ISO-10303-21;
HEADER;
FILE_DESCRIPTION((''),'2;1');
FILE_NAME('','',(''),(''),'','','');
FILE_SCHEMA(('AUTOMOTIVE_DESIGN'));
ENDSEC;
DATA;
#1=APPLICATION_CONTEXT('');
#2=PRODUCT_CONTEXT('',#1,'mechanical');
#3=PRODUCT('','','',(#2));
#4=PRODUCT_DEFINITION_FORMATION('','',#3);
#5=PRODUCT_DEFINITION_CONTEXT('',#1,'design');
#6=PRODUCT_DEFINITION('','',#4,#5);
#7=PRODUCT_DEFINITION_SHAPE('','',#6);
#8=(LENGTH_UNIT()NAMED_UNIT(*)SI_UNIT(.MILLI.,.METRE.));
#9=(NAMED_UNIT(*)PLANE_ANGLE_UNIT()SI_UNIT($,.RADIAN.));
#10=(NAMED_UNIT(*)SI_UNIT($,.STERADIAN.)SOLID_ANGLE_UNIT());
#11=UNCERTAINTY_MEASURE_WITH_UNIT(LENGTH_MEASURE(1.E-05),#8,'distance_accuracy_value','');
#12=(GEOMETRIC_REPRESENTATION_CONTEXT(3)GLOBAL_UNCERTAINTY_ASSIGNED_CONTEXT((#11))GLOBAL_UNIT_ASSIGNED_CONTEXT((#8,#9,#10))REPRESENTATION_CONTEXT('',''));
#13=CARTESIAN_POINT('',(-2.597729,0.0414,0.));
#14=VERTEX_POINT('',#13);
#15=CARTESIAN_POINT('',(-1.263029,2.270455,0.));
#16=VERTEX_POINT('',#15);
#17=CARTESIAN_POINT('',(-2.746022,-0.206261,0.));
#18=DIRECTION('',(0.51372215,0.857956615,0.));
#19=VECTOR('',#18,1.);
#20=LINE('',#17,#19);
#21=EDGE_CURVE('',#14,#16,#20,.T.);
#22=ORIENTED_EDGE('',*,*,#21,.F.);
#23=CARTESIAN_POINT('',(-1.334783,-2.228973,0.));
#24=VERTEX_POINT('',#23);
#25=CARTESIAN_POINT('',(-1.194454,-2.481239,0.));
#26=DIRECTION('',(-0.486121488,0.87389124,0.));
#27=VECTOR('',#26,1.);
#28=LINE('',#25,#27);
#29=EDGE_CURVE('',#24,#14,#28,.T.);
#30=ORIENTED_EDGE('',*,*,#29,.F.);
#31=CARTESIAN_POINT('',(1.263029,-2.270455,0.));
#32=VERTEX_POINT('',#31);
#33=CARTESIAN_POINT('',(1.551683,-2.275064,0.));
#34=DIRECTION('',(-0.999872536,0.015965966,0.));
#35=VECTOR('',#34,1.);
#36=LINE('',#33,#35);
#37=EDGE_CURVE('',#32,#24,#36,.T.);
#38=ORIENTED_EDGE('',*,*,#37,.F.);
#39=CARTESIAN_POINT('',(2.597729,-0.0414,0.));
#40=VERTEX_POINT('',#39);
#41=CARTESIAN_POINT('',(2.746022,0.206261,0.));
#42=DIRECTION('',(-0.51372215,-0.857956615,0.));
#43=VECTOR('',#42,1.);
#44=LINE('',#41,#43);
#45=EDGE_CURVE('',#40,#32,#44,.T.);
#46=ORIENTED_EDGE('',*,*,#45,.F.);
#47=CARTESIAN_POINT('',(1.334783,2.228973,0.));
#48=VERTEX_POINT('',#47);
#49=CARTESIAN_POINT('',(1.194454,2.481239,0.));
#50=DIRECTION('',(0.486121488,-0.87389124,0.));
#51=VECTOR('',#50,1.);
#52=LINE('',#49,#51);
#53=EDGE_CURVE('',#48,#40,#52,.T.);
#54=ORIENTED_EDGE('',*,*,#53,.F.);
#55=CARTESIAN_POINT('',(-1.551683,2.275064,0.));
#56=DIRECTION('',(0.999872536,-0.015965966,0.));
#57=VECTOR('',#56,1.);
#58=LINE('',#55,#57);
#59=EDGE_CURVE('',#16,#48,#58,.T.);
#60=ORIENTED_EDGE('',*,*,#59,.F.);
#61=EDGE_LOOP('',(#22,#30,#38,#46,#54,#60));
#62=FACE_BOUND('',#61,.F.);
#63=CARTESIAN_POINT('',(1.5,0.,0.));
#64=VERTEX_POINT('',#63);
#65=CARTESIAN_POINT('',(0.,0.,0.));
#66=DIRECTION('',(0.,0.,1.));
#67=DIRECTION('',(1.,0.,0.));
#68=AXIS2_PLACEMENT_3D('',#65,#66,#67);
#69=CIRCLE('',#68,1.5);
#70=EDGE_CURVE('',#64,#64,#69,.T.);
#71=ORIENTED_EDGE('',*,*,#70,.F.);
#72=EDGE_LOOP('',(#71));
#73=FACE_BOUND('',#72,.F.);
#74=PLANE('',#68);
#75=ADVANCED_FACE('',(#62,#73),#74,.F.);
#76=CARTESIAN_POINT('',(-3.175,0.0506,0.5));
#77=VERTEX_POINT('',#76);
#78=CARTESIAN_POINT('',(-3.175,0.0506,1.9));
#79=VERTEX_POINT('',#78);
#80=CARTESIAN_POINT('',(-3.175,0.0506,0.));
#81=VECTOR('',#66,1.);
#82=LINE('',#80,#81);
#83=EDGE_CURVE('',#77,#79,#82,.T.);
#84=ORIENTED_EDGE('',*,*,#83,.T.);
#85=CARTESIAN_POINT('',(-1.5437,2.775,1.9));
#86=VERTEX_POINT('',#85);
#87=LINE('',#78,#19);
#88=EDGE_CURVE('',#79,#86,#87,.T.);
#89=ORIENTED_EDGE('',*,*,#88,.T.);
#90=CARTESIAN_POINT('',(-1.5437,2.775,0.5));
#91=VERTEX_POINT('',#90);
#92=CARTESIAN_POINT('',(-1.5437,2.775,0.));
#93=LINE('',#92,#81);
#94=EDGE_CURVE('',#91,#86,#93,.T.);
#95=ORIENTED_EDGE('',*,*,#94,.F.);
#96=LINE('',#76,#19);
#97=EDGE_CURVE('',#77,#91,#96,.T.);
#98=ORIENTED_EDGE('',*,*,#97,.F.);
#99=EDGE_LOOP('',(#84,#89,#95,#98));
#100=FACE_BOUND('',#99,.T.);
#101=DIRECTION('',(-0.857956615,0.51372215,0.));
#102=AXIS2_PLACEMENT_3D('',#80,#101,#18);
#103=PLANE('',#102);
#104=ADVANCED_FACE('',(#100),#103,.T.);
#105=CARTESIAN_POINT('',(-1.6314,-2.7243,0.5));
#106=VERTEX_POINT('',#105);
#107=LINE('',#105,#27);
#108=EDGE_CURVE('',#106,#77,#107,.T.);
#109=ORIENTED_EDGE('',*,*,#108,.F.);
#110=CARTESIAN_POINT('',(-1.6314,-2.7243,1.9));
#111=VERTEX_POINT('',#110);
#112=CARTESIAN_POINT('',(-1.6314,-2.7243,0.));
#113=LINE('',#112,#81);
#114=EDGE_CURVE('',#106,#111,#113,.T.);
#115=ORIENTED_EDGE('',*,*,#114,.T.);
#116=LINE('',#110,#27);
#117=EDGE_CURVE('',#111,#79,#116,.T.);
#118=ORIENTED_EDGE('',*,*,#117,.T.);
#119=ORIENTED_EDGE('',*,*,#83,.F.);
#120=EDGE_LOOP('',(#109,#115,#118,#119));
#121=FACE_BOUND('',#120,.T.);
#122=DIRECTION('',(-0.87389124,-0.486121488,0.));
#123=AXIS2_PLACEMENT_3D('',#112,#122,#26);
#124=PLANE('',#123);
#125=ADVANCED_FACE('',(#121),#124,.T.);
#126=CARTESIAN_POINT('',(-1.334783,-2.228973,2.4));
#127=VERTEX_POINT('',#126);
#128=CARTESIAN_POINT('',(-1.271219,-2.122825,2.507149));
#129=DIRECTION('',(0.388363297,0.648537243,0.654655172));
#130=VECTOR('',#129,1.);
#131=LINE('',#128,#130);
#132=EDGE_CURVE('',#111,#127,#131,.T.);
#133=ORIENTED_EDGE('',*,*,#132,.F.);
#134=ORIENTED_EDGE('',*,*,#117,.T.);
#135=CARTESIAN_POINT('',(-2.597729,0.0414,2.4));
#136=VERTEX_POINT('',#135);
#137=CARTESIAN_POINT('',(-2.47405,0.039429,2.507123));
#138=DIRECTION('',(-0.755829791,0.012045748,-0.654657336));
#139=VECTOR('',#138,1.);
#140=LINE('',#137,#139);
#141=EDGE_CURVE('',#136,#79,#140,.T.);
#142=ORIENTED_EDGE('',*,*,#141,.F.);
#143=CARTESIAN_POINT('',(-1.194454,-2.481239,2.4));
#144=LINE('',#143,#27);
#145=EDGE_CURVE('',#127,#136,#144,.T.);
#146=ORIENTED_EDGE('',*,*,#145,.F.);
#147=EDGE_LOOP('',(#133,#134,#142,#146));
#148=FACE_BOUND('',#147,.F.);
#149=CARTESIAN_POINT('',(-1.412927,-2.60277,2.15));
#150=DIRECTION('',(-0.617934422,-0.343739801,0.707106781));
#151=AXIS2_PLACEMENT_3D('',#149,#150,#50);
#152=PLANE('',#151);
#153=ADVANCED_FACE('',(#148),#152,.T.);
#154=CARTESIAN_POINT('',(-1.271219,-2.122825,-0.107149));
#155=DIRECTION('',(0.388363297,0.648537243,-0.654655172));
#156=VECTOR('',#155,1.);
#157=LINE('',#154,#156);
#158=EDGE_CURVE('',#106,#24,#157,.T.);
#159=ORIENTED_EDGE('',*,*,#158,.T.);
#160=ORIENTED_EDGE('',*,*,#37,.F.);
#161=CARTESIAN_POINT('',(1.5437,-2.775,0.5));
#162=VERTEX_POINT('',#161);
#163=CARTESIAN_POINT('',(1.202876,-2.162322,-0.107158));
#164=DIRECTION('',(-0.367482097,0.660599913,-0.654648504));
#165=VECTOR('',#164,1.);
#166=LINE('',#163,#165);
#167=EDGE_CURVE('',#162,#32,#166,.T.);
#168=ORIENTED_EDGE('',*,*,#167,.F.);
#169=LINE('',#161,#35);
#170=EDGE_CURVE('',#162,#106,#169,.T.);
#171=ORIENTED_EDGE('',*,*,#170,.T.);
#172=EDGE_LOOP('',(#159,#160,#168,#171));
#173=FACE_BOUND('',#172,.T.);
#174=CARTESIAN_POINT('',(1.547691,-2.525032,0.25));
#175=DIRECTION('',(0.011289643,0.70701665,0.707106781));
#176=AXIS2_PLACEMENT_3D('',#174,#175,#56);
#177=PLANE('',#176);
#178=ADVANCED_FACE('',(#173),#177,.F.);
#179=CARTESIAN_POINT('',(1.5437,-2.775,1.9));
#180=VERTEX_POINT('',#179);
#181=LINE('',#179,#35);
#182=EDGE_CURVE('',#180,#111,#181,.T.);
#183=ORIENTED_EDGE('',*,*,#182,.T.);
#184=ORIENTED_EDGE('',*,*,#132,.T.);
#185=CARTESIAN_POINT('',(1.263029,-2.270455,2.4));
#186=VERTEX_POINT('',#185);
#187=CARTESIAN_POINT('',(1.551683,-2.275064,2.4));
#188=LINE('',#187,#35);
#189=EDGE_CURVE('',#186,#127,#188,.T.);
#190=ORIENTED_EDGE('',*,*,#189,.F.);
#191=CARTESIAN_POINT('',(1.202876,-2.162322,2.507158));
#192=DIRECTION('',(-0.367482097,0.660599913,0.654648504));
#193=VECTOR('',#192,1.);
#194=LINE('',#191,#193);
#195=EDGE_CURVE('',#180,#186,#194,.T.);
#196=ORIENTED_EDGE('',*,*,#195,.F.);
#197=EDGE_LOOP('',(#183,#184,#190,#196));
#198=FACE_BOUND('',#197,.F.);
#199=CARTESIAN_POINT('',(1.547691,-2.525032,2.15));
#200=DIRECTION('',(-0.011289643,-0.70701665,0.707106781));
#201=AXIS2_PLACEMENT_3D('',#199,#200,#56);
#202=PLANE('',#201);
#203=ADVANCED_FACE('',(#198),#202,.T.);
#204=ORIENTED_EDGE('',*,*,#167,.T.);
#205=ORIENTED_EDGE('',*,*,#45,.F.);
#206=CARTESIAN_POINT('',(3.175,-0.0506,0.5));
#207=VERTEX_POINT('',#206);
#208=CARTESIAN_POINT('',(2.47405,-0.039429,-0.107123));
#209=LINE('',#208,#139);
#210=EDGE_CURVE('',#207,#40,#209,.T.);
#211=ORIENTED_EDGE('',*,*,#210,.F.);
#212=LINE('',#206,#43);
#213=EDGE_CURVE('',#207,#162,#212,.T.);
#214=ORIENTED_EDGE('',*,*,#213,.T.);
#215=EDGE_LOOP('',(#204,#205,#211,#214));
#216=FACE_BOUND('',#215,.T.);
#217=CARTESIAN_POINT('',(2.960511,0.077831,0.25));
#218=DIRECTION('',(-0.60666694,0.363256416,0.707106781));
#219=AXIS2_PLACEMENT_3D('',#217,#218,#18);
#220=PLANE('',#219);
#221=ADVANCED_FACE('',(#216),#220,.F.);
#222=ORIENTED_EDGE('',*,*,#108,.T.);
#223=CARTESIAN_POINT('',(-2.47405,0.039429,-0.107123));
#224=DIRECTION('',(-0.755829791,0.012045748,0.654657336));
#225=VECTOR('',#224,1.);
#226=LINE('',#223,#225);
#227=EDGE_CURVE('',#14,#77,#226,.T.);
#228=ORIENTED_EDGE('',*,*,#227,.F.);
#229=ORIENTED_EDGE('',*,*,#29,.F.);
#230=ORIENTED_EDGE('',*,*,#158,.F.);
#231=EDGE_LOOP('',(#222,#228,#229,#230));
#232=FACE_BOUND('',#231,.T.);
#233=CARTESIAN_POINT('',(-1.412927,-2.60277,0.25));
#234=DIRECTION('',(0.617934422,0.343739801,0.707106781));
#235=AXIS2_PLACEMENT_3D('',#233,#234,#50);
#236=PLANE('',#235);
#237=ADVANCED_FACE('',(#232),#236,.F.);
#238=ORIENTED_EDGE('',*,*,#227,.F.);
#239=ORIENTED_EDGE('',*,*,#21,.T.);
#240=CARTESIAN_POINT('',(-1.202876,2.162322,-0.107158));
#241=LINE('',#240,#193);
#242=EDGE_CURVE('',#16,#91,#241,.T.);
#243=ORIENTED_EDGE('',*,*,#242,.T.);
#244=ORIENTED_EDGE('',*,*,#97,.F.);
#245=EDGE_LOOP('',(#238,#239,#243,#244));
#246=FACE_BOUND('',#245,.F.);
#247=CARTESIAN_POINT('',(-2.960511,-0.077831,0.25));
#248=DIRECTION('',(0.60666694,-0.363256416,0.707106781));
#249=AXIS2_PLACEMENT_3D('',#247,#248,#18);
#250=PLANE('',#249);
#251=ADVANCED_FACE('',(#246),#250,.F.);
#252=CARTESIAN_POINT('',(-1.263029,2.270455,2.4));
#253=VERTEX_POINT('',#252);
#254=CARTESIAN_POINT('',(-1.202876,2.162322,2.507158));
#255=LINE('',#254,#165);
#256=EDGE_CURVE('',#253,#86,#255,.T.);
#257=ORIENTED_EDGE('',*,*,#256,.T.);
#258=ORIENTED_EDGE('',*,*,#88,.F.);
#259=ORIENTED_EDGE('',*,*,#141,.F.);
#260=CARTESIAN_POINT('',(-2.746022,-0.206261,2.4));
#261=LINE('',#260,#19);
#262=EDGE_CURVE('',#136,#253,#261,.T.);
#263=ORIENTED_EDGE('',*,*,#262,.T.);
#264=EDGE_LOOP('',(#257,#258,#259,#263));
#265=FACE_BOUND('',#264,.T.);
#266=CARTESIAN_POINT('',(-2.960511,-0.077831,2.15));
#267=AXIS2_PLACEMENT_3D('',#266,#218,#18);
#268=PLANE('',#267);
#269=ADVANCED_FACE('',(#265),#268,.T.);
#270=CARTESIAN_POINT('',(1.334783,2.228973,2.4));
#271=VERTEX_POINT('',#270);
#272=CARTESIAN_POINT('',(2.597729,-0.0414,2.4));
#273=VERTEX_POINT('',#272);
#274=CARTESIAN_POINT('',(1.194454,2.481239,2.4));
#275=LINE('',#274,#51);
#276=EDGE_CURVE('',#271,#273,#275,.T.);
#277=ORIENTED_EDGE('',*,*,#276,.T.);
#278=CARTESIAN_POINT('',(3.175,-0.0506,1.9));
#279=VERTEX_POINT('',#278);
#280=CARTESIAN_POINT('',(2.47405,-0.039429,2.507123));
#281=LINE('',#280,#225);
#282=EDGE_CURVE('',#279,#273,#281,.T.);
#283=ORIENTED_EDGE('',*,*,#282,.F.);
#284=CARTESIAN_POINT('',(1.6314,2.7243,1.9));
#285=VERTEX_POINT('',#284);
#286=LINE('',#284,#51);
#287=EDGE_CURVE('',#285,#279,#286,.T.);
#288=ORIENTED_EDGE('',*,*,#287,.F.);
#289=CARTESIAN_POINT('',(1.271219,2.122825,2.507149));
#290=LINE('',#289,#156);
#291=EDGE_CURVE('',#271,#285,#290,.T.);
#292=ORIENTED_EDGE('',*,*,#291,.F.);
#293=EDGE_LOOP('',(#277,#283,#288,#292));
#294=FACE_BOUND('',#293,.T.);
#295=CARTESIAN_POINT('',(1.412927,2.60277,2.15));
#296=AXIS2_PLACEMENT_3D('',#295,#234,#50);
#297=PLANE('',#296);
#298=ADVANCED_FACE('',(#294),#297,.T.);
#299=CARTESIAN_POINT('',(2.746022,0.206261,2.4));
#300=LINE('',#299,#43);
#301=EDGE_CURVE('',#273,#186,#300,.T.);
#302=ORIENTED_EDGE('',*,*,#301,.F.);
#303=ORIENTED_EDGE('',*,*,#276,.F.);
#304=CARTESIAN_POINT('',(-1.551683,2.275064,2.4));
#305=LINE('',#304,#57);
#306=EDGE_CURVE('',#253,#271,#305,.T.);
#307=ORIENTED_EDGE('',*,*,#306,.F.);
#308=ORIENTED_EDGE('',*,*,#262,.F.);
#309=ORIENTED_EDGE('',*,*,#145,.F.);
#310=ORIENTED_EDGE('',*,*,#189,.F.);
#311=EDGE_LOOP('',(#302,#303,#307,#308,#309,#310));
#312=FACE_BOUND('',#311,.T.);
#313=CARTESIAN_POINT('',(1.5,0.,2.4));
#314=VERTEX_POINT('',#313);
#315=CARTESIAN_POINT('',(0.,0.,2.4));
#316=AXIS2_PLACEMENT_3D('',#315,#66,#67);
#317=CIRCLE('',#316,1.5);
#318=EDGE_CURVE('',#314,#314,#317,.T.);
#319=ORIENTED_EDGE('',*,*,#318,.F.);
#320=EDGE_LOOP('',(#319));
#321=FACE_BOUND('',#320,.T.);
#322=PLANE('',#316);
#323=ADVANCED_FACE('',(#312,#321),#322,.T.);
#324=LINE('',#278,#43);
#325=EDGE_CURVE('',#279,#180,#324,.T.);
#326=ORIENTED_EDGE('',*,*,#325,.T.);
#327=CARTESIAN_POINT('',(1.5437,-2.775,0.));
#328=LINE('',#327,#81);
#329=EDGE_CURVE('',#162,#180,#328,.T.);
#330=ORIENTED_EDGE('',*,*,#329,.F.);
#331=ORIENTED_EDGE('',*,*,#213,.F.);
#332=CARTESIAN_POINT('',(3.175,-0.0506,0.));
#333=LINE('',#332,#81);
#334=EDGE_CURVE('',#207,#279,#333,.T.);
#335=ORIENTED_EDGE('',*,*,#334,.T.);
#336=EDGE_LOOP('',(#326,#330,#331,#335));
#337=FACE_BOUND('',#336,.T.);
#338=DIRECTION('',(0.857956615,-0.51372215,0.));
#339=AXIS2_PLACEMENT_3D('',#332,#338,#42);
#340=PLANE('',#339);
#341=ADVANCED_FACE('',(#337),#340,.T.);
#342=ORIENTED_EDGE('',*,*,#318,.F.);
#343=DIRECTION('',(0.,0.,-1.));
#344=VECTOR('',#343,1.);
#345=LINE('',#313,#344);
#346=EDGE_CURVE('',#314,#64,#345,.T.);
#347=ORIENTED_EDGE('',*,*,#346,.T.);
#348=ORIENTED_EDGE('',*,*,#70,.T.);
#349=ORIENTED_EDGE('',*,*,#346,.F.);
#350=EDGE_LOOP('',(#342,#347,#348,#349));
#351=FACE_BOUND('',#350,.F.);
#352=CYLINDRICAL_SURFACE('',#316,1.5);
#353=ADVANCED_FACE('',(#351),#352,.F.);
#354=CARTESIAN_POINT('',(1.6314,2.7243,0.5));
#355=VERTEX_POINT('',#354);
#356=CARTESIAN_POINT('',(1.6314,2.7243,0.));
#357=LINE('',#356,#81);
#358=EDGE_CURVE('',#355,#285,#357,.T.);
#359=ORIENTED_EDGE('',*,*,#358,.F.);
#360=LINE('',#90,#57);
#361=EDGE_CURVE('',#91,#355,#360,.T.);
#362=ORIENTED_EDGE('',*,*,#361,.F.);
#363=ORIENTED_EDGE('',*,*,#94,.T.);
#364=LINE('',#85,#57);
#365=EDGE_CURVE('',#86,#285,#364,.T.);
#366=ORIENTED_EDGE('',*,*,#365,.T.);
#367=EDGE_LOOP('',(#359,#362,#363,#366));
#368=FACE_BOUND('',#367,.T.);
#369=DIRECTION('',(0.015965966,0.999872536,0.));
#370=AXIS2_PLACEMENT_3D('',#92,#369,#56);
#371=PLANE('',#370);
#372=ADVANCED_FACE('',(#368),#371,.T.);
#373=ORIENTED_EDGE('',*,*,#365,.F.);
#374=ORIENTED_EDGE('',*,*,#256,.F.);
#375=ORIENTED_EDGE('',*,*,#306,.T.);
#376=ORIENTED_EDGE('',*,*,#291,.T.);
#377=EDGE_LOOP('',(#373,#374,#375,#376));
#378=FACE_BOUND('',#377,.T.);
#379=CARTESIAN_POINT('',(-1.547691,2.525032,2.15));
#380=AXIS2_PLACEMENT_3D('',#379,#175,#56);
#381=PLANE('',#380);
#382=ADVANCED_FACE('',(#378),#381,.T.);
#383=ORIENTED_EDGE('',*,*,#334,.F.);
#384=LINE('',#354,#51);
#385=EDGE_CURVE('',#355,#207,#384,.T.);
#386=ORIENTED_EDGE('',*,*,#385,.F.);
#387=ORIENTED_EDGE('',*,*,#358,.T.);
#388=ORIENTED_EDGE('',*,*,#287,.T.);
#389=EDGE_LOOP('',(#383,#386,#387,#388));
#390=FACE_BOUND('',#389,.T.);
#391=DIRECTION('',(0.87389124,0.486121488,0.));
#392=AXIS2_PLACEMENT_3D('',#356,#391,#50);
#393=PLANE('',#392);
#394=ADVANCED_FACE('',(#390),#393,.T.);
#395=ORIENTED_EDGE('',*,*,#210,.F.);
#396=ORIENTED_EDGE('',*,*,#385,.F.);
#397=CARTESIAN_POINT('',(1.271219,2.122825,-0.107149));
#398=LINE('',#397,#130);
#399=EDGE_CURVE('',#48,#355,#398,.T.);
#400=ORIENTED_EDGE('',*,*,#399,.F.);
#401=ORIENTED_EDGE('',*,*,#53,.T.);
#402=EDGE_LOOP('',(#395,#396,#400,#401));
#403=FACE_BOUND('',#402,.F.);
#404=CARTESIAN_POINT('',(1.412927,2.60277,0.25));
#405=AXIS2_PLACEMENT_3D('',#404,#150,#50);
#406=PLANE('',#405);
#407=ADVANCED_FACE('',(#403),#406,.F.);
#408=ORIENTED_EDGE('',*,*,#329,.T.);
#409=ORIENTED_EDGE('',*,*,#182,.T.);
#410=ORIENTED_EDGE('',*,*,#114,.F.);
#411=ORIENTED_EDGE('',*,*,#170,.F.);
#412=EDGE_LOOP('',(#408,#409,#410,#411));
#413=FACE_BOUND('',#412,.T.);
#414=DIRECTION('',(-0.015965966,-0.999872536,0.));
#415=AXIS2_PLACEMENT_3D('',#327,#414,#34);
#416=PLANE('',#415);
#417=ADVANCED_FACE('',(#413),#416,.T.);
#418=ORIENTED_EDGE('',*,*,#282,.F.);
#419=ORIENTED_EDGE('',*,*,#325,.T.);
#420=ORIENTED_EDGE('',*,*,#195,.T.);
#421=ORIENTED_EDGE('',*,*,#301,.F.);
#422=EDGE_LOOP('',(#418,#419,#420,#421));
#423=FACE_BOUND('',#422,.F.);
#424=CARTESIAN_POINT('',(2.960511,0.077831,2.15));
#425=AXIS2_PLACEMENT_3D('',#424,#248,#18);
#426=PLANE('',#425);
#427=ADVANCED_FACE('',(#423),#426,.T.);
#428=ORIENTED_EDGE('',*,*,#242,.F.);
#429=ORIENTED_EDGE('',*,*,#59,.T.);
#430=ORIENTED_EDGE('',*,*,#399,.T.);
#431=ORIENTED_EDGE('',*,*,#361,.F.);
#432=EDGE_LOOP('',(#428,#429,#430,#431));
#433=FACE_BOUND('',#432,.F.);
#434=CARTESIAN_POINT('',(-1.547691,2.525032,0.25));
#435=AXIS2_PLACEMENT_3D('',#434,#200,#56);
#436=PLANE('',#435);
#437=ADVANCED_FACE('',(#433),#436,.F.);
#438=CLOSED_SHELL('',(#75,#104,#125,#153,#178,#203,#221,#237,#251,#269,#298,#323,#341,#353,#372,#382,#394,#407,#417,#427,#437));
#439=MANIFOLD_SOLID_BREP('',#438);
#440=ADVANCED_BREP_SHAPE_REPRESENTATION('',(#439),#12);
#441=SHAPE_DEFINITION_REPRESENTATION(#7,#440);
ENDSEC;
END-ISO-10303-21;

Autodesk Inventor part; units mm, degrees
ref_plane "YZ Plane" through (0, 0, 0) normal (1, 0, 0) x (0, 1, 0)
ref_plane "XZ Plane" through (0, 0, 0) normal (0, 1, 0) x (-1, 0, 0)
ref_plane "XY Plane" through (0, 0, 0) normal (0, 0, 1) x (1, 0, 0)
sketch "スケッチ1" plane through (0, 0, 0) normal (0, 0, 1) x (1, 0, 0)
  line L0 (1.5437, -2.775) -> (-1.6314, -2.7243)
  line L1 (-1.6314, -2.7243) -> (-3.175, 0.0506)
  line L2 (-3.175, 0.0506) -> (-1.5437, 2.775)
  line L3 (-1.5437, 2.775) -> (1.6314, 2.7243)
  line L4 (1.6314, 2.7243) -> (3.175, -0.0506)
  line L5 (3.175, -0.0506) -> (1.5437, -2.775)
  point P0 (0, 0)
  point P1 (0, 0)
  dimension "d0" = 5.5
extrude "押し出し1" add sketch "スケッチ1" along normal blind 2.4
sketch "スケッチ2" plane through (0, 0, 2.4) normal (0, 0, 1) x (1, 0, 0)
  circle A0 centre (0, 0) radius 1.5
  dimension "d3" = 3
extrude "押し出し2" cut sketch "スケッチ2" against normal blind 2.4
thread "ねじ1" size "M3x0.5" class "6H" standard "ANSI Metric M Profile" full length
chamfer "面取り1" distance 0.5 angle 45 12 edges at (2.3593, -1.4128, 2.4) (2.4032, 1.3369, 2.4) (0.0438, 2.7497, 2.4) (-2.3593, 1.4128, 2.4) (-2.4032, -1.3369, 2.4) (-0.0438, -2.7497, 2.4) (-0.0438, -2.7497, 0) (2.3593, -1.4128, 0) (2.4032, 1.3369, 0) (0.0438, 2.7497, 0) (-2.3593, 1.4128, 0) (-2.4032, -1.3369, 0)
properties part number "Nut" material "真鍮"
